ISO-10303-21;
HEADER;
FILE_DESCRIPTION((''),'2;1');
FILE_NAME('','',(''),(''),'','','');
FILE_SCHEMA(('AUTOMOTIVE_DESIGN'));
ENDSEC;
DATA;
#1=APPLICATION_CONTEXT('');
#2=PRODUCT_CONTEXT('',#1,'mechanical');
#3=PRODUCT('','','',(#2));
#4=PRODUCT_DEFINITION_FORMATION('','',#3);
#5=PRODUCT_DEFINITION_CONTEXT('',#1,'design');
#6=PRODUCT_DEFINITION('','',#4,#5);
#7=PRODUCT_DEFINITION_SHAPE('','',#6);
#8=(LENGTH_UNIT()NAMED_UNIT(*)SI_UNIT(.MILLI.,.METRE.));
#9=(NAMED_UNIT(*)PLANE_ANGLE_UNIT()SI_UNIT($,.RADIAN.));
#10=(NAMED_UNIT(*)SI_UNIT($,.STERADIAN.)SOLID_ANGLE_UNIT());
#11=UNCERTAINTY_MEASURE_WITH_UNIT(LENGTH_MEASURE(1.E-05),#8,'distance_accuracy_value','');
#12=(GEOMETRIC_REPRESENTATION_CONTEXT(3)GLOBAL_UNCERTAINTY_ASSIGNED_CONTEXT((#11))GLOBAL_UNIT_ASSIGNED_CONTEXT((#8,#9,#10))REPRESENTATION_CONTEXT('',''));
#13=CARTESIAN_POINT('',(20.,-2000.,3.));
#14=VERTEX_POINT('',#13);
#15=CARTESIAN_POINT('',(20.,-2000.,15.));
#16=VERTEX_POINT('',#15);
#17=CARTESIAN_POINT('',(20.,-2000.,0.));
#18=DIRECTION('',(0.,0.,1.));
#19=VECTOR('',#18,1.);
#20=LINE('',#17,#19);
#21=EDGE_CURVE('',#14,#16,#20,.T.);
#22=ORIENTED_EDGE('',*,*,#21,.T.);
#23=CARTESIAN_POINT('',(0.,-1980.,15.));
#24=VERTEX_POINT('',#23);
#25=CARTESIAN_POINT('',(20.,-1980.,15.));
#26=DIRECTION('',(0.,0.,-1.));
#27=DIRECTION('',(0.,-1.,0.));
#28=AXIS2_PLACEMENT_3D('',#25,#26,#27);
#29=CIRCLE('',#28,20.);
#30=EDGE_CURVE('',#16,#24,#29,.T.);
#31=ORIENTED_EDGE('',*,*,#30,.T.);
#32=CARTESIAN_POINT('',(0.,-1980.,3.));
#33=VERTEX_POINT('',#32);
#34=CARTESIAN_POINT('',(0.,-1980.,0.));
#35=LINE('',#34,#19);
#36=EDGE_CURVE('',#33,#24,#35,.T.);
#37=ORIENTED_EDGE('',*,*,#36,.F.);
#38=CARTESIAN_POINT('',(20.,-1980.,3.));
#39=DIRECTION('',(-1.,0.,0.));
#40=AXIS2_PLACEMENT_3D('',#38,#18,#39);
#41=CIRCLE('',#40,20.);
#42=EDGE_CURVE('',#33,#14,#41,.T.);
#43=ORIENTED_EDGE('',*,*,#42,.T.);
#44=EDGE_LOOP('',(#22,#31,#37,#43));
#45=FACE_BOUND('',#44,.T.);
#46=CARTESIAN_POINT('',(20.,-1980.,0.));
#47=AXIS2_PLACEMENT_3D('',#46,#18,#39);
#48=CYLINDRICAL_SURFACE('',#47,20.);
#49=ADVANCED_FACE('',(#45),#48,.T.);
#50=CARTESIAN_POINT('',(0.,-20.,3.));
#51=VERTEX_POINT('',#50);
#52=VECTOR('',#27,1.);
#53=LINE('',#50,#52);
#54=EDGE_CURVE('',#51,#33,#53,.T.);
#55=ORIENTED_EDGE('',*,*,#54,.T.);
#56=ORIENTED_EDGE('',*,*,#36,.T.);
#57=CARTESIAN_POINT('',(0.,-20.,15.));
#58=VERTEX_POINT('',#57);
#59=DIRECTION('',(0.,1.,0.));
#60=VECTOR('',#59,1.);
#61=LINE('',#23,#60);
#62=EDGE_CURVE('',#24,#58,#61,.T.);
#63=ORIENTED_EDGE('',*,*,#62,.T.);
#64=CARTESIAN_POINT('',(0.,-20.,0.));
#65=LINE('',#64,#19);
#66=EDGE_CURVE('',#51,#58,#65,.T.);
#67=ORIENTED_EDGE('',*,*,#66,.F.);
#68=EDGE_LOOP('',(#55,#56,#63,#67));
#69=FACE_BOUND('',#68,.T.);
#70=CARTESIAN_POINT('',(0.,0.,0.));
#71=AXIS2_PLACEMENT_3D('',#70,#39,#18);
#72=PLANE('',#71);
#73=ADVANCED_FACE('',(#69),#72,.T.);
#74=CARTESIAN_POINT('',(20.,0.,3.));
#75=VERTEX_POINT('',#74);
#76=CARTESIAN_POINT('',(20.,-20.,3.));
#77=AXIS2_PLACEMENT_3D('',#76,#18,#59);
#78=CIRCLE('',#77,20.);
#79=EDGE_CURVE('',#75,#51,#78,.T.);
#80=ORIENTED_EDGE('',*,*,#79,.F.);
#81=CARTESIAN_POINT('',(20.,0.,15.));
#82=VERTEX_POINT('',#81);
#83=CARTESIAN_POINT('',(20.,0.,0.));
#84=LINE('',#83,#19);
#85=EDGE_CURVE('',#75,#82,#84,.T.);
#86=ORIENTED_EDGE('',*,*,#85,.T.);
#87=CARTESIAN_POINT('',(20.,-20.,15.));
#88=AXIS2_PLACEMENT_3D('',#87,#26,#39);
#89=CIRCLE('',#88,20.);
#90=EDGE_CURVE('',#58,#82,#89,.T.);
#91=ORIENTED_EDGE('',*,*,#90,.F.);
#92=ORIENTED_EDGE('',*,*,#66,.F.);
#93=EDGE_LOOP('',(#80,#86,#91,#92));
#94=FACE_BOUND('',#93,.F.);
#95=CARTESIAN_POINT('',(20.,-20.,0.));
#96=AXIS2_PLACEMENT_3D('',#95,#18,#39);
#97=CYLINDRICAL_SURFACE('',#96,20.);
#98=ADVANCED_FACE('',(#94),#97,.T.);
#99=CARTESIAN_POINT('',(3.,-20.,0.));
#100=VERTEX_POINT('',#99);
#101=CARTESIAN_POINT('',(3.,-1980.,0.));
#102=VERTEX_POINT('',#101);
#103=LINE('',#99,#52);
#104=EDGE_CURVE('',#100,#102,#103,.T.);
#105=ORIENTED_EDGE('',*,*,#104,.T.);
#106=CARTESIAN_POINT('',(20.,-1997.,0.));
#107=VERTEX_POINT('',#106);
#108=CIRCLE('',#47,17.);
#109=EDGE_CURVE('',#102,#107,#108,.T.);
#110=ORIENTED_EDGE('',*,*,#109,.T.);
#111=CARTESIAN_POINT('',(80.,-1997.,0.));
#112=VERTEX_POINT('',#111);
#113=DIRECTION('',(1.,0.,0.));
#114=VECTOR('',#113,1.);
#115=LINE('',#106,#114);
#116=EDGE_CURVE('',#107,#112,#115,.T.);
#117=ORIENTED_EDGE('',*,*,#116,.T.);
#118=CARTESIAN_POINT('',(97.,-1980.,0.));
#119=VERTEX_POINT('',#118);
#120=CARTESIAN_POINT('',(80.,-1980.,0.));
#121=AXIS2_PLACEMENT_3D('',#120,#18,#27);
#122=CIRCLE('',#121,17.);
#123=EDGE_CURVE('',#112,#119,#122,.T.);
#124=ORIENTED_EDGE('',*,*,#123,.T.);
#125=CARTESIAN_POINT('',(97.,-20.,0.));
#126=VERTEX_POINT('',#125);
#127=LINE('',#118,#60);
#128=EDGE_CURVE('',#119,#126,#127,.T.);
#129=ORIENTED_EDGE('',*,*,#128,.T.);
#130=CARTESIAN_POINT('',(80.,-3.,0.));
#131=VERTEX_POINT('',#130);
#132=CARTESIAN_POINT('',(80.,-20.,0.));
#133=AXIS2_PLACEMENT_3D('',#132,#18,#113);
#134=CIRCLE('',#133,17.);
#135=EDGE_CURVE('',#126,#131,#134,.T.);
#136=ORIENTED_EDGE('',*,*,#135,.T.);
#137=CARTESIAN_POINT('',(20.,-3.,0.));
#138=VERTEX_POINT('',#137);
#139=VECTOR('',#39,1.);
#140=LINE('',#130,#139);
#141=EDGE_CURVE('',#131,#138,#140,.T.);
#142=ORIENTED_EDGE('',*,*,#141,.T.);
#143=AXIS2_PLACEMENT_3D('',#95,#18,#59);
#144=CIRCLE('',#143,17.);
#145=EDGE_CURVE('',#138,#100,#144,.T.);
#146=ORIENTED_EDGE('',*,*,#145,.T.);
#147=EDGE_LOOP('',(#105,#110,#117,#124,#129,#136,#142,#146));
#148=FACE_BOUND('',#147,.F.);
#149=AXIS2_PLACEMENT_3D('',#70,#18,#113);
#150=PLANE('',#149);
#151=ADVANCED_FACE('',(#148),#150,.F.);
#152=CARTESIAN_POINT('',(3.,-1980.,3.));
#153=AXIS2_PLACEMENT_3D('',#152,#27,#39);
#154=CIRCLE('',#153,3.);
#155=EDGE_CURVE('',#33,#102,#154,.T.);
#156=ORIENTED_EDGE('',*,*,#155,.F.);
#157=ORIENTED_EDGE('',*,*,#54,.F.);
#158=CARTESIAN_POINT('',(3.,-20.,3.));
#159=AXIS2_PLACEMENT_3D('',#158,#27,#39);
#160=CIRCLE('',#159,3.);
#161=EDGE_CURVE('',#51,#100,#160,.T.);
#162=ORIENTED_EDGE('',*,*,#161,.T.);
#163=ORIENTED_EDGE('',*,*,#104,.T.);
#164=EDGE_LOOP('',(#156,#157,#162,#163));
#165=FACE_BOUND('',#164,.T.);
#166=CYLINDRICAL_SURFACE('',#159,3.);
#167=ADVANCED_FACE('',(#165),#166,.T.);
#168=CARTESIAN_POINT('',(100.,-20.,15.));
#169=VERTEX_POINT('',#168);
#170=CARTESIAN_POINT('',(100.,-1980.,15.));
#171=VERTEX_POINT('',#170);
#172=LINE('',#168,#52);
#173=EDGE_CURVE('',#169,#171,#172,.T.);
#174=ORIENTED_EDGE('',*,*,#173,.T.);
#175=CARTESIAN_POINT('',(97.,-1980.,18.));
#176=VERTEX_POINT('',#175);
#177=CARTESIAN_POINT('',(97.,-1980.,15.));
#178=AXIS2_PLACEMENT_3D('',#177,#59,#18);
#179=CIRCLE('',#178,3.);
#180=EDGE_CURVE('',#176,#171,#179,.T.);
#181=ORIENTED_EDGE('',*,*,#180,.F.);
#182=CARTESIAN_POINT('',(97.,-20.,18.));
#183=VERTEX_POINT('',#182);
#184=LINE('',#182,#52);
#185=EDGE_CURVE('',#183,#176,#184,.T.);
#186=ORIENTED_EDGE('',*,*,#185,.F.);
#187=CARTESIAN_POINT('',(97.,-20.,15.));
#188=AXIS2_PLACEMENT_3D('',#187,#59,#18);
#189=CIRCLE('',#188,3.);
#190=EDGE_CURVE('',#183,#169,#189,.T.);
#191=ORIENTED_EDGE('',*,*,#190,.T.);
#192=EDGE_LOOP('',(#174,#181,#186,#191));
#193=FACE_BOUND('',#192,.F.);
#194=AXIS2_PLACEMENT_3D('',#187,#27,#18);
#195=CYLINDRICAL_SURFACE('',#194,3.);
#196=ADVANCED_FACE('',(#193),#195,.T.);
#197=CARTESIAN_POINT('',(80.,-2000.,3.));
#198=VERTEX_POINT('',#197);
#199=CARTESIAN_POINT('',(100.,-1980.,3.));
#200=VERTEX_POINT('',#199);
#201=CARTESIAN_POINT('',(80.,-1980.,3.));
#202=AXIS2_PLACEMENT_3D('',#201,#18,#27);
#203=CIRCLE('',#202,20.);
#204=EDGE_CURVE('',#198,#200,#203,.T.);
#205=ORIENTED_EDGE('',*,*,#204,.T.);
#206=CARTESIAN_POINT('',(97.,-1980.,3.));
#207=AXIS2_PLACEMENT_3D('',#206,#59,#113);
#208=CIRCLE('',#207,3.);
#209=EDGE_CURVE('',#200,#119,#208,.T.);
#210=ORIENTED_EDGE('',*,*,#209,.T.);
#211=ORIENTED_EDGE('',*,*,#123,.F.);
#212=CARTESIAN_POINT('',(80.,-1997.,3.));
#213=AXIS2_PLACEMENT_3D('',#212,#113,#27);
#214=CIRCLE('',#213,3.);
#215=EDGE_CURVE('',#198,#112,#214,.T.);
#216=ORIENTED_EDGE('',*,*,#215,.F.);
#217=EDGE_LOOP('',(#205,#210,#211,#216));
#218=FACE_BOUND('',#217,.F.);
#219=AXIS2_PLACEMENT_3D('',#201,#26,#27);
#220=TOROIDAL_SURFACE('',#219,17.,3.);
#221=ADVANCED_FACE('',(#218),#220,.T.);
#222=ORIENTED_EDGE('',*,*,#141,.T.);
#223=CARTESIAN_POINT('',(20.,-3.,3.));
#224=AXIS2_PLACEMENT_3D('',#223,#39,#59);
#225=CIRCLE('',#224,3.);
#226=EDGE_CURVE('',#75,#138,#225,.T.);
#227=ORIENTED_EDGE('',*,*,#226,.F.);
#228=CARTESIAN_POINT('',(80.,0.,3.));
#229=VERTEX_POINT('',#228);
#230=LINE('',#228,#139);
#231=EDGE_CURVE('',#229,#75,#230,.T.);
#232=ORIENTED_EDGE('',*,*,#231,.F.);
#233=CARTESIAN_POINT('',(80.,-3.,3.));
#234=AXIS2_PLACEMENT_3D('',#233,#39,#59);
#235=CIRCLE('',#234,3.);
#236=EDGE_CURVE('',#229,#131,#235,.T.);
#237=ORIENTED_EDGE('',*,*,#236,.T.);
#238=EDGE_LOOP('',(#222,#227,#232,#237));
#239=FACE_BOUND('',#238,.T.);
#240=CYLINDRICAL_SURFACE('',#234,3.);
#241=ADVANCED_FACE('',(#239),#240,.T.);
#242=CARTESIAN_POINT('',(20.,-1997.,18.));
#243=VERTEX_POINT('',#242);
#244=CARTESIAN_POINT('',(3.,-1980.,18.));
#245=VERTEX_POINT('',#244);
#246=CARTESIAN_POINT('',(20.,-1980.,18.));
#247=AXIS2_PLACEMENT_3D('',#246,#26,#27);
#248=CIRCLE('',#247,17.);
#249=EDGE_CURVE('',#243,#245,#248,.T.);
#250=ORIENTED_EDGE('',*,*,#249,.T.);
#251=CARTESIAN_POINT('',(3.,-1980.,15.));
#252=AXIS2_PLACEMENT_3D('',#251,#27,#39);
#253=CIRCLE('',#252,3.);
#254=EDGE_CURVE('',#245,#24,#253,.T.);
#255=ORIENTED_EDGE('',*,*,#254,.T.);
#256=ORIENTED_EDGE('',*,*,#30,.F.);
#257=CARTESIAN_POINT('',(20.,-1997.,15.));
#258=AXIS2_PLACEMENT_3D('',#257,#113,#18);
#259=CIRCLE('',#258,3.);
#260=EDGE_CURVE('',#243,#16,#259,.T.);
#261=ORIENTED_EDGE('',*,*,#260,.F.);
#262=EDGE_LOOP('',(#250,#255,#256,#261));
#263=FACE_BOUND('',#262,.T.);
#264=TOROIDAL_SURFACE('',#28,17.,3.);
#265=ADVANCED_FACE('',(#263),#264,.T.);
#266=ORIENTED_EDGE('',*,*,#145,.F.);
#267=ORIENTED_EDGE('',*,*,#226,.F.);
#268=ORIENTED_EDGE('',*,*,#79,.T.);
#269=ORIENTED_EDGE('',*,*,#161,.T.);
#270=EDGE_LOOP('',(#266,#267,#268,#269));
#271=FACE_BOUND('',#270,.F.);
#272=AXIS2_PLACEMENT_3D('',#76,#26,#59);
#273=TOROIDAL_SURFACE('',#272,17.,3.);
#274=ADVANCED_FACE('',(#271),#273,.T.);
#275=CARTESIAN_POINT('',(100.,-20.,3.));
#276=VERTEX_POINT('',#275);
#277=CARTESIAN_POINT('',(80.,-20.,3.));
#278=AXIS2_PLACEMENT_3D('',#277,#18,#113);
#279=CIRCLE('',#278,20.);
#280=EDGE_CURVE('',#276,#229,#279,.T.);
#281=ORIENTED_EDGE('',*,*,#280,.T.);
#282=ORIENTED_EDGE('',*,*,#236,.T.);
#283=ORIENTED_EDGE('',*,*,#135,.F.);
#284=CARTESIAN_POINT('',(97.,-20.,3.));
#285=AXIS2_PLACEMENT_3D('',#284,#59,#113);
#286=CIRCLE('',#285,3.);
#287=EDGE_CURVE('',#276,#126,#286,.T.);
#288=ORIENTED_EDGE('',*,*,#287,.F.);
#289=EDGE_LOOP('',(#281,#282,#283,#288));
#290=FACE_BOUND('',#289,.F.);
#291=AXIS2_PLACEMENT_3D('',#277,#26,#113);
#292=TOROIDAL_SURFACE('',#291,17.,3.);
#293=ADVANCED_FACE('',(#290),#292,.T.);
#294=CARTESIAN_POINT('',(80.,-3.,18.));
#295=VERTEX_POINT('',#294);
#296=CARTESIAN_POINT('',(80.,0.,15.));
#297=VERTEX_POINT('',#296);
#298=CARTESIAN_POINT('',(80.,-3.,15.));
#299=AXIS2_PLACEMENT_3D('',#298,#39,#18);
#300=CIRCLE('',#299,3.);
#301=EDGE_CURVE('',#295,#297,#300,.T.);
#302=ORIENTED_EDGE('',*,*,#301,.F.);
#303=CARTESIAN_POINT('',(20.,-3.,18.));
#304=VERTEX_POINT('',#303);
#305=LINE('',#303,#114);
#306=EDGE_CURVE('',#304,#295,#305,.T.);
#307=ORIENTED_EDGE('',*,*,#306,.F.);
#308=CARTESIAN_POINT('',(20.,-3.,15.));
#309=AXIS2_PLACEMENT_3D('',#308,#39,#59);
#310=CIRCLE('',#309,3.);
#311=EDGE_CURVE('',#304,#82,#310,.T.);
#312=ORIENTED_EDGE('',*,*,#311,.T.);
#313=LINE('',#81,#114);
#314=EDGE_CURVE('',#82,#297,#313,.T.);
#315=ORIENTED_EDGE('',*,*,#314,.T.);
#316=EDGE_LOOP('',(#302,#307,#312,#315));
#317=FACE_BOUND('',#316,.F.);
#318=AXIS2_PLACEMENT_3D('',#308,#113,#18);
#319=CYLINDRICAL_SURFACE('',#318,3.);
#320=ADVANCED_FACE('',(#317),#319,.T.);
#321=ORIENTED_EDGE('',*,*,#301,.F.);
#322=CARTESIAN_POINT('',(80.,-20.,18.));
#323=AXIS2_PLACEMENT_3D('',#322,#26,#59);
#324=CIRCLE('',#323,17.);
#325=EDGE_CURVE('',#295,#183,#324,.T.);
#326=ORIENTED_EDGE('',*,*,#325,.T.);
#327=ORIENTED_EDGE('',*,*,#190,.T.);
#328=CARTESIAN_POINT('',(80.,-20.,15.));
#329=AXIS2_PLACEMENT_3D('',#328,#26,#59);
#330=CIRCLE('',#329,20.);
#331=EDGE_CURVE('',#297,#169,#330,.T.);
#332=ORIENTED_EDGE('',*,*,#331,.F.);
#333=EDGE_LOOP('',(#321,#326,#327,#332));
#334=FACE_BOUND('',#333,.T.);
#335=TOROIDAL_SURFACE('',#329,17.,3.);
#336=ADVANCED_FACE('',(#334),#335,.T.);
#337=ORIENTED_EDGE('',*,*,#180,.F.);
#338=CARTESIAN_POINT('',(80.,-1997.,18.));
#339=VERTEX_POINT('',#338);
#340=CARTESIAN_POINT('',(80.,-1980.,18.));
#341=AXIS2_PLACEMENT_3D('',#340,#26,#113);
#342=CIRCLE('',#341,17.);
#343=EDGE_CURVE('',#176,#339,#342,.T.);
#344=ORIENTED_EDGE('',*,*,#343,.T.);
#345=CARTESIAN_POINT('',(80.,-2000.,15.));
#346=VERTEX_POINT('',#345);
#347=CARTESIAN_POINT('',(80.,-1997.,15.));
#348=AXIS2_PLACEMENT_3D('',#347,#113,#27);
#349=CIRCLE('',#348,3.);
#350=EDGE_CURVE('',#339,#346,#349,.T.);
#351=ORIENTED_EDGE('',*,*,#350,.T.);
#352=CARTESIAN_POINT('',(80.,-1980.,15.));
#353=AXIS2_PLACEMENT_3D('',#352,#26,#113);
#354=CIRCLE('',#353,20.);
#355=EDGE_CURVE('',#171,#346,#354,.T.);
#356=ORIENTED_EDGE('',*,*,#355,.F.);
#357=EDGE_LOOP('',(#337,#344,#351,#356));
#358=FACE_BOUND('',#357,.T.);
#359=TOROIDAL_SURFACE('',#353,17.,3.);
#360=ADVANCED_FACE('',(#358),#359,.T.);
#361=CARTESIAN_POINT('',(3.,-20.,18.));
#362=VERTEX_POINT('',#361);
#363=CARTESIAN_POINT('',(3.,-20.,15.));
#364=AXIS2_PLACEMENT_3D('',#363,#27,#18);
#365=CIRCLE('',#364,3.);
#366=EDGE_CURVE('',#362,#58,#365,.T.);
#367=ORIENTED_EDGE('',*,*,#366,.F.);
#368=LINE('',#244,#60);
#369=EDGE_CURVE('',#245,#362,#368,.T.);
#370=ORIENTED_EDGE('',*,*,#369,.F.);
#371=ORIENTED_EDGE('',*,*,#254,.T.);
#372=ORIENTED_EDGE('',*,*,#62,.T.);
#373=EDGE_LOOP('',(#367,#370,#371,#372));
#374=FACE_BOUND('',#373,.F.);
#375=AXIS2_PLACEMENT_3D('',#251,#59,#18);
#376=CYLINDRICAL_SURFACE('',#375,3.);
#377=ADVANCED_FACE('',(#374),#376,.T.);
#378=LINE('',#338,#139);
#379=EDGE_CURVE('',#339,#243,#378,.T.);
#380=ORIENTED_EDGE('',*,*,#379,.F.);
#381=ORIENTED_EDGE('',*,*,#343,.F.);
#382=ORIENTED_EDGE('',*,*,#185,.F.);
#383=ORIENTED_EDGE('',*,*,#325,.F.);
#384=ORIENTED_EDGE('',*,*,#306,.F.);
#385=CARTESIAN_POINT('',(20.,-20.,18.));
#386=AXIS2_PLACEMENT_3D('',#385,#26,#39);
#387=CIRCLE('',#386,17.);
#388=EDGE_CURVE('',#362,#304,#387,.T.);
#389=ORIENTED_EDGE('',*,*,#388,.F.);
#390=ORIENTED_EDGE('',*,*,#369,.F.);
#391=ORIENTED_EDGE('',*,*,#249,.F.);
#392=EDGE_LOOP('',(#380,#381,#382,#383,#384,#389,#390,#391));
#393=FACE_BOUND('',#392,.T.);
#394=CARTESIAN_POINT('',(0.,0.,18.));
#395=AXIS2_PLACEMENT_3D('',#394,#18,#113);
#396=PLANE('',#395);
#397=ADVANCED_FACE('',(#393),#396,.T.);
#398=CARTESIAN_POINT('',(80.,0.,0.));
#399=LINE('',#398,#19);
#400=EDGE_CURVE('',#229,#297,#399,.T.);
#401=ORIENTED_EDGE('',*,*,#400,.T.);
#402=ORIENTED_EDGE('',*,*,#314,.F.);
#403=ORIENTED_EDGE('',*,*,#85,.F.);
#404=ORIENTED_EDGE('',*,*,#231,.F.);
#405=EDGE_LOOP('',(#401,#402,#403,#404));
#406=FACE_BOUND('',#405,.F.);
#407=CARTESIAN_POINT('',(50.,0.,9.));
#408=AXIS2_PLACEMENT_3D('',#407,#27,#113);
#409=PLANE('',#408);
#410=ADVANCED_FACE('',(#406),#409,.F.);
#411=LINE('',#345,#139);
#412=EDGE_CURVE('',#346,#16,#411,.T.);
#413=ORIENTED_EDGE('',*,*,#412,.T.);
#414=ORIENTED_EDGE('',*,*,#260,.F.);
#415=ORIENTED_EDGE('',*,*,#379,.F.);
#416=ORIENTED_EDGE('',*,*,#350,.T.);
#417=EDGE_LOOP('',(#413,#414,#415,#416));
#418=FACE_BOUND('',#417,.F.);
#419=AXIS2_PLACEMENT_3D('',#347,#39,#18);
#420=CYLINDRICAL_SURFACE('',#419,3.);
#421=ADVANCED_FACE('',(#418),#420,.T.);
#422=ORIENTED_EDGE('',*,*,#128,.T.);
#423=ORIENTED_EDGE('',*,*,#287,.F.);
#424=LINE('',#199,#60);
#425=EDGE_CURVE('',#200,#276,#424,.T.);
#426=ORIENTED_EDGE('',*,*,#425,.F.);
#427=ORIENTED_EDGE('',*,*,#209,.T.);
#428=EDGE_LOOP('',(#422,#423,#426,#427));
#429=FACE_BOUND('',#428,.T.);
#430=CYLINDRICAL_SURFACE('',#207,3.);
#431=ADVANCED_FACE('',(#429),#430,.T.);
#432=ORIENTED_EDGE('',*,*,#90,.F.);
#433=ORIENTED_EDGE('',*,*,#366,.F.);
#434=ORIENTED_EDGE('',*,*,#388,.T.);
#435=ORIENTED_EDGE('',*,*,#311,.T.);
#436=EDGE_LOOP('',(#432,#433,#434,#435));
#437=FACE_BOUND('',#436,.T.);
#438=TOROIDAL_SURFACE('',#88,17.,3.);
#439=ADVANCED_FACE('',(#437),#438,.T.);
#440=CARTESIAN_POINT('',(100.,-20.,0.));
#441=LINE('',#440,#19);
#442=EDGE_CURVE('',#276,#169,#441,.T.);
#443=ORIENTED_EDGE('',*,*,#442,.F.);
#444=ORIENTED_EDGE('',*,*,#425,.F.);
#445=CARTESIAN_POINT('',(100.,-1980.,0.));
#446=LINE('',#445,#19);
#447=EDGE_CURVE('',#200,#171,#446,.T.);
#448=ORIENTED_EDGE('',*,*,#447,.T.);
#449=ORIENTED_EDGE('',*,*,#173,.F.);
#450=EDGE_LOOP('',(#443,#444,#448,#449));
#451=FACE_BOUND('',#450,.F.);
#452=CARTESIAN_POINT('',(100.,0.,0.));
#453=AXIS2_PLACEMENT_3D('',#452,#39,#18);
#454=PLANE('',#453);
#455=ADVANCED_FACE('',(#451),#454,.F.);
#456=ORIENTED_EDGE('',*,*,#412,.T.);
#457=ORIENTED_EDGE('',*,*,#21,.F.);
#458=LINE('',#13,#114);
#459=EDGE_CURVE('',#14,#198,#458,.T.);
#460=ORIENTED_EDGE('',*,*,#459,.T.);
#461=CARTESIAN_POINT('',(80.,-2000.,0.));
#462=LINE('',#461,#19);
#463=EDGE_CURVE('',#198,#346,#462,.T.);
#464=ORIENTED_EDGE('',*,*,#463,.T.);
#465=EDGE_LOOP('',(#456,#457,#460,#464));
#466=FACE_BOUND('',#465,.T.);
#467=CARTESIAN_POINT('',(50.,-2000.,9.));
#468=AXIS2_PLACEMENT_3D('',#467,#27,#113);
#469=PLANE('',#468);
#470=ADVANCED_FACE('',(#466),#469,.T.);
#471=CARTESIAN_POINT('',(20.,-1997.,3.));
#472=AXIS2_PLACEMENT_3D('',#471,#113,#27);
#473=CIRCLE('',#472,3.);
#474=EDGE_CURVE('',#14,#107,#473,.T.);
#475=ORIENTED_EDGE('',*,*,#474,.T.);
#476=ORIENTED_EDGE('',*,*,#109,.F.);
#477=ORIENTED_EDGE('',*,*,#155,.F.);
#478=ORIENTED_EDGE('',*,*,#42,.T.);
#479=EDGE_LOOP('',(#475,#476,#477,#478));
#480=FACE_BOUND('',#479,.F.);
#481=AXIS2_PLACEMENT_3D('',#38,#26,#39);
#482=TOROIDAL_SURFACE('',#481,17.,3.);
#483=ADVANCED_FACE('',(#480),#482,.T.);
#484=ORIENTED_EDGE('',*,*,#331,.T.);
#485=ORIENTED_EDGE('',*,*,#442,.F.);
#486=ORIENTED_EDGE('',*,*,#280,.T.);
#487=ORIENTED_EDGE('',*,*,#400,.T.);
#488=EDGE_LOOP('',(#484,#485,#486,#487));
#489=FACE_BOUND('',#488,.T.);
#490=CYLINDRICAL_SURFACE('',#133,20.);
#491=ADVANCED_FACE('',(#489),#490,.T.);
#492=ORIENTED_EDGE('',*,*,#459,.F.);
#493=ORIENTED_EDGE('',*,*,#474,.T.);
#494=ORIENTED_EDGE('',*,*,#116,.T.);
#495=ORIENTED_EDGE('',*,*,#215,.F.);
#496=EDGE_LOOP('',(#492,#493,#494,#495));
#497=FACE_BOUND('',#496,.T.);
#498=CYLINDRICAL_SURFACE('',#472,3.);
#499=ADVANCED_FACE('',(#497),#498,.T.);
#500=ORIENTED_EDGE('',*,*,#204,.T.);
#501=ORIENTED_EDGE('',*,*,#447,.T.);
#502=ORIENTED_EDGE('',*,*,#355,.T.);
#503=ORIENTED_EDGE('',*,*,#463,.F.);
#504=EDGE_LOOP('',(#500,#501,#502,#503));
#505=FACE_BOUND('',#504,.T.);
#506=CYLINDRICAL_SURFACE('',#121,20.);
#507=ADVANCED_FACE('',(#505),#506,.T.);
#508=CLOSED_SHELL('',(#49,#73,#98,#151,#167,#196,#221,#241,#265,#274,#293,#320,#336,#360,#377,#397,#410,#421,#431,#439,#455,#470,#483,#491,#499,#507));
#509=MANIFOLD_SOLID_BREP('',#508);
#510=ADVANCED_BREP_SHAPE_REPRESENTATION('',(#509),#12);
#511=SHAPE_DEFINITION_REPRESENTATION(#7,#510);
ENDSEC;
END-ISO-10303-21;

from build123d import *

# Parameters (mm, degrees)
F0_W     = 100
F0_H     = 18
F1_DEPTH = 2000
F3_R     = 20
F4_R     = 20
F5_R     = 3


with BuildPart() as f1:
    # F0 (on Front) → F1 (new body)
    with BuildSketch(Plane.XZ):
        with Locations((50, 9)):
            Rectangle(F0_W, F0_H)
    extrude(amount=F1_DEPTH)

    # F3
    f3_edges = [f1.edges().sort_by_distance(p)[0] for p in [
        (100, 0, 9),
        (0, 0, 9),
    ]]
    fillet(f3_edges, radius=F3_R)

    # F4
    f4_edges = [f1.edges().sort_by_distance(p)[0] for p in [
        (100, -2000, 9),
        (0, -2000, 9),
    ]]
    fillet(f4_edges, radius=F4_R)

    # F5
    f5_edges = [f1.edges().sort_by_distance(p)[0] for p in [
        (100, -1000, 18),
        (0, -1000, 0),
        (5.857864, -1994.142136, 0),
        (5.857864, -5.857864, 0),
        (50, -2000, 0),
        (50, 0, 0),
        (94.142136, -1994.142136, 0),
        (94.142136, -5.857864, 0),
        (100, -1000, 0),
    ]]
    fillet(f5_edges, radius=F5_R)


solid = f1.part
